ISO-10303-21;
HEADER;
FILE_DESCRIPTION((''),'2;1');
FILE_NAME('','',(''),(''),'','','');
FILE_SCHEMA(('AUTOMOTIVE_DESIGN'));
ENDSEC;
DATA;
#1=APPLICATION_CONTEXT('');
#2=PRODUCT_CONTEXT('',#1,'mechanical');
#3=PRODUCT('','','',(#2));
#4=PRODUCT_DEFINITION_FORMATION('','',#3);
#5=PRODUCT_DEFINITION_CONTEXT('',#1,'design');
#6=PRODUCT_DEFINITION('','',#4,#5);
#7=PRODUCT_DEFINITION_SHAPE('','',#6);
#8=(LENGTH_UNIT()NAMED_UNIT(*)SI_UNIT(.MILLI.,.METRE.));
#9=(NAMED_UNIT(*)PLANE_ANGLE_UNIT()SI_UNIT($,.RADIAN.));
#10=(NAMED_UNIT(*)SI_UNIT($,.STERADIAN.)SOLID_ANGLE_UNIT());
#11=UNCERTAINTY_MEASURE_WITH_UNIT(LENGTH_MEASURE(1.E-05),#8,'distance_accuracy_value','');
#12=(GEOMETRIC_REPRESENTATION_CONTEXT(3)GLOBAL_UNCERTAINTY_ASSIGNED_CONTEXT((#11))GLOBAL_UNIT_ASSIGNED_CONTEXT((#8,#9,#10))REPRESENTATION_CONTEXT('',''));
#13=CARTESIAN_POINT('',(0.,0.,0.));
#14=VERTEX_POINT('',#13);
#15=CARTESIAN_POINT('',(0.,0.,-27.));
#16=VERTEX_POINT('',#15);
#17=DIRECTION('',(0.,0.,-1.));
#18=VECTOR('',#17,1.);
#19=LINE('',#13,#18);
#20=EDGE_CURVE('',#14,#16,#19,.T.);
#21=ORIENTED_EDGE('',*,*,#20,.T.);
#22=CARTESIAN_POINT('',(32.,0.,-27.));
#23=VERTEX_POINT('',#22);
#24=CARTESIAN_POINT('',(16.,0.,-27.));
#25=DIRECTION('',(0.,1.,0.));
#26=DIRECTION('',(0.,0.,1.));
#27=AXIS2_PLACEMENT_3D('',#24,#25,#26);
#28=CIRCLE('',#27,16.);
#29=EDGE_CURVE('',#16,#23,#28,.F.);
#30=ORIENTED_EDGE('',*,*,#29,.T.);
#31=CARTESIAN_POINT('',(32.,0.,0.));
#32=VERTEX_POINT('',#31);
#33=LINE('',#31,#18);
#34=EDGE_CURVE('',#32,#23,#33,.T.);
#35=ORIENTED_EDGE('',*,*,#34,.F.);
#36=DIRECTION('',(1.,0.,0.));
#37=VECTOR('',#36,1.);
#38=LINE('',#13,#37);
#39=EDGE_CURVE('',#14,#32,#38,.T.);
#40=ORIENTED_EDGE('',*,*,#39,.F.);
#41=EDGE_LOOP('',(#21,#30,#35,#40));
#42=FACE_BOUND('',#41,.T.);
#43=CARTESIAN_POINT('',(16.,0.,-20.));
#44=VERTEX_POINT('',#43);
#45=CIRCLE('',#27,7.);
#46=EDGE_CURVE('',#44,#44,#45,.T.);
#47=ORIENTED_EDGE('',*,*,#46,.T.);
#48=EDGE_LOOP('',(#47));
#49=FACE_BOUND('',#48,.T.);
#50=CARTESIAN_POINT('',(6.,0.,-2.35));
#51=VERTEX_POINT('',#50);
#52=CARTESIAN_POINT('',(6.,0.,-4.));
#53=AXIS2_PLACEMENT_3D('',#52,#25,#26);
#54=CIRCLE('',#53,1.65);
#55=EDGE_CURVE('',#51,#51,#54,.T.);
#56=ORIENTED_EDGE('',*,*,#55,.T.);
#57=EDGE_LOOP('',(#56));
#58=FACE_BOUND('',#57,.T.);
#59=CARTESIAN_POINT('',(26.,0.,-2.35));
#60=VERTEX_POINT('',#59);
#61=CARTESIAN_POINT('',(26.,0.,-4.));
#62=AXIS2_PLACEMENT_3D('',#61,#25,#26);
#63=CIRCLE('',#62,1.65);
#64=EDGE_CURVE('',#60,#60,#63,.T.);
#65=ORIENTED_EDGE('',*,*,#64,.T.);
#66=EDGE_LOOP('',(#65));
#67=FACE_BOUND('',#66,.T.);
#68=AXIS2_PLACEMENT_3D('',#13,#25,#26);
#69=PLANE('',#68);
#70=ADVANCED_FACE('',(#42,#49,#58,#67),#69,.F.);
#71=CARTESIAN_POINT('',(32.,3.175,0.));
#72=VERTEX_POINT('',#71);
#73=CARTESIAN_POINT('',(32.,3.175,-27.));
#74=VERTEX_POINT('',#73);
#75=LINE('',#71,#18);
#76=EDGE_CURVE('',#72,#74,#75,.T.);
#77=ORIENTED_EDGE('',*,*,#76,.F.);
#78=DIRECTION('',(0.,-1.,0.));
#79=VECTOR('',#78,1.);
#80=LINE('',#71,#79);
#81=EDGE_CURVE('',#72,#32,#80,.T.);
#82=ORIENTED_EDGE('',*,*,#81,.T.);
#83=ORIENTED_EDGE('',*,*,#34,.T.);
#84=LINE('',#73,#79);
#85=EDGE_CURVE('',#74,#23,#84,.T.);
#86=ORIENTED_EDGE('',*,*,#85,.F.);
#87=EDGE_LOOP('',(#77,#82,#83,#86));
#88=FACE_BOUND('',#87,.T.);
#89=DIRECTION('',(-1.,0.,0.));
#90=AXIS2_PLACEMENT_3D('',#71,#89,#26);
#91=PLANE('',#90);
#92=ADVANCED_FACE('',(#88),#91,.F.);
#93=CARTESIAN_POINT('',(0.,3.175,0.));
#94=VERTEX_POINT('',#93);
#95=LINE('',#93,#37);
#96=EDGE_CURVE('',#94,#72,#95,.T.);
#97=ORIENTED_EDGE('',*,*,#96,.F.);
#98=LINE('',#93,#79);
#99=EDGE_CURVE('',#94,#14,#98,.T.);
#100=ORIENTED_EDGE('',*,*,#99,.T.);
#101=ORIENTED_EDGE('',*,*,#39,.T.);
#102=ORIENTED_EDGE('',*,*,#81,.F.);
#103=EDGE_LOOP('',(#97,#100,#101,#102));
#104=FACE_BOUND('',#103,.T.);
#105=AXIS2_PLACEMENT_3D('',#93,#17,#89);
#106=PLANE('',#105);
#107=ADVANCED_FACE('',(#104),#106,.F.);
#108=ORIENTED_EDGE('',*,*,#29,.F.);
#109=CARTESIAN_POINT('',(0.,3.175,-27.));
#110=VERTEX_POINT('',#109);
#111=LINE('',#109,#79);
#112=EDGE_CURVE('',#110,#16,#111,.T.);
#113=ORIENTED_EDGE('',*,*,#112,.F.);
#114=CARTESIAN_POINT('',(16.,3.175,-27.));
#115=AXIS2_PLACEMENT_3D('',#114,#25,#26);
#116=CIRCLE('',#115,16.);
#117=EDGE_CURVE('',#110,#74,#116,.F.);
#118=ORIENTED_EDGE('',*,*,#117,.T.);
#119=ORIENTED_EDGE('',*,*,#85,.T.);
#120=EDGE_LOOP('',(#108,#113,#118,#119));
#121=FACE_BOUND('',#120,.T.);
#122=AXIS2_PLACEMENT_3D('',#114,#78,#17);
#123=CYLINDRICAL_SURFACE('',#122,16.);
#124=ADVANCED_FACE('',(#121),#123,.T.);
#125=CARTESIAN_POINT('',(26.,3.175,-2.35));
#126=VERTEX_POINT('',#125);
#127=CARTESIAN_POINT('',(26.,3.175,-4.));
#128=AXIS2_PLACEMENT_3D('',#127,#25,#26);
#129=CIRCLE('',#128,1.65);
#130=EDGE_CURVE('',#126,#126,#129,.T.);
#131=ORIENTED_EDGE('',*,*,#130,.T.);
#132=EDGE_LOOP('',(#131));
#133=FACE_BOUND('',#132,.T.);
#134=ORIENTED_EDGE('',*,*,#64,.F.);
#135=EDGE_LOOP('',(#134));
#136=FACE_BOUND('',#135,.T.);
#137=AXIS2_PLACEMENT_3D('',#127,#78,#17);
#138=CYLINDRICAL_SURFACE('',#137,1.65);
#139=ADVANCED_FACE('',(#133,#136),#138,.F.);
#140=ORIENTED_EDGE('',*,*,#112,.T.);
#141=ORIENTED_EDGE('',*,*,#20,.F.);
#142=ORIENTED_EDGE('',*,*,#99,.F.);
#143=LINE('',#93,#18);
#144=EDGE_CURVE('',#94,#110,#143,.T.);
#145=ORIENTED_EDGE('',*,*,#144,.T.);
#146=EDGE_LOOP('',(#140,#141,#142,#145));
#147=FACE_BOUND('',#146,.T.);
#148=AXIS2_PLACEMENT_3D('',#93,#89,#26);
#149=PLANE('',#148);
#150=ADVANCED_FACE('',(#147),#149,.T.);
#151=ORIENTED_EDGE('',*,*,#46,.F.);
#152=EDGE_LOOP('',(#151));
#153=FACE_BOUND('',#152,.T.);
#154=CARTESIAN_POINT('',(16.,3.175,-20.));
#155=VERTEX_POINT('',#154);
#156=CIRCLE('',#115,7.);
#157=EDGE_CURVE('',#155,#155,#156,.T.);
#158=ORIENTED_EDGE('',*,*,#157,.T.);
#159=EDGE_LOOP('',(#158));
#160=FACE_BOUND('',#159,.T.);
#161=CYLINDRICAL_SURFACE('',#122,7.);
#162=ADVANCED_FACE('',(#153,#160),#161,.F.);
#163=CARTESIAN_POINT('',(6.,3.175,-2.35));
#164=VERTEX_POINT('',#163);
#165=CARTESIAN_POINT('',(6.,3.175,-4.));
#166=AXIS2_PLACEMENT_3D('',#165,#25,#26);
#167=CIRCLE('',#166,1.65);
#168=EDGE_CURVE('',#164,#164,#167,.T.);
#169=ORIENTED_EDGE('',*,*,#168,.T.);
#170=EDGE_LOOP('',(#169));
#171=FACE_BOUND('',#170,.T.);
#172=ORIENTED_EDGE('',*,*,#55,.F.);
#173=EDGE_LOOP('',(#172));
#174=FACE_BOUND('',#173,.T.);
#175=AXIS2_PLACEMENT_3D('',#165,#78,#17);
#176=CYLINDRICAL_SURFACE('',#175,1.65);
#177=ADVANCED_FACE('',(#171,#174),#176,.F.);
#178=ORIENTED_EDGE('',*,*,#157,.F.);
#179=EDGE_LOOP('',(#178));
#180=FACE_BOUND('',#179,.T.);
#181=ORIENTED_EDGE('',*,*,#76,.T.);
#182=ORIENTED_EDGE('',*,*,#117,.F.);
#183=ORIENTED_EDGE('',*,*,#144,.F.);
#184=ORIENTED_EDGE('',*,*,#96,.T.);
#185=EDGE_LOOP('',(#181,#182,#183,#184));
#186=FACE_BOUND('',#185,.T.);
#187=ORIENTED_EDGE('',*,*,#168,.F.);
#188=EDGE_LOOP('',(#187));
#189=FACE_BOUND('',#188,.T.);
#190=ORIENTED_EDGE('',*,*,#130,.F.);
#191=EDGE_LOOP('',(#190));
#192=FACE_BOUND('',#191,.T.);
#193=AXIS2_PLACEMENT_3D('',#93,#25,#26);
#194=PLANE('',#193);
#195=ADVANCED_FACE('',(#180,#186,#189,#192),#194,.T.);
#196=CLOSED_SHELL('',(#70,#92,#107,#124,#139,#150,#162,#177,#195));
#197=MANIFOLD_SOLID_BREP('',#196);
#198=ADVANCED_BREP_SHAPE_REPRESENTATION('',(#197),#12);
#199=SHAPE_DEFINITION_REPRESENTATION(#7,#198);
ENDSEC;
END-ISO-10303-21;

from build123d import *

# Parameters (mm, degrees)
SKETCH1_R           = 1.65
SKETCH1_R_2         = 7
BOSS_EXTRUDE1_DEPTH = 3.175


with BuildPart() as part:
    # Sketch1 → Boss-Extrude1 (new body)
    with BuildSketch(Plane(origin=(0, 0, 0), x_dir=(1, 0, 0), z_dir=(0, 1, 0))):
        with BuildLine():
            Line((0, 0), (32, 0))
            Line((32, 0), (32, 27))
            ThreePointArc((32, 27), (16, 43), (0, 27))
            Line((0, 27), (0, 0))
        make_face()
        with Locations(Location((6, 4, 0), (0, 0, 270))):
            Circle(SKETCH1_R, mode=Mode.SUBTRACT)
        with Locations(Location((26, 4, 0), (0, 0, 270))):
            Circle(SKETCH1_R, mode=Mode.SUBTRACT)
        with Locations(Location((16, 27, 0), (0, 0, 270))):
            Circle(SKETCH1_R_2, mode=Mode.SUBTRACT)
    extrude(amount=BOSS_EXTRUDE1_DEPTH)


solid = part.part
